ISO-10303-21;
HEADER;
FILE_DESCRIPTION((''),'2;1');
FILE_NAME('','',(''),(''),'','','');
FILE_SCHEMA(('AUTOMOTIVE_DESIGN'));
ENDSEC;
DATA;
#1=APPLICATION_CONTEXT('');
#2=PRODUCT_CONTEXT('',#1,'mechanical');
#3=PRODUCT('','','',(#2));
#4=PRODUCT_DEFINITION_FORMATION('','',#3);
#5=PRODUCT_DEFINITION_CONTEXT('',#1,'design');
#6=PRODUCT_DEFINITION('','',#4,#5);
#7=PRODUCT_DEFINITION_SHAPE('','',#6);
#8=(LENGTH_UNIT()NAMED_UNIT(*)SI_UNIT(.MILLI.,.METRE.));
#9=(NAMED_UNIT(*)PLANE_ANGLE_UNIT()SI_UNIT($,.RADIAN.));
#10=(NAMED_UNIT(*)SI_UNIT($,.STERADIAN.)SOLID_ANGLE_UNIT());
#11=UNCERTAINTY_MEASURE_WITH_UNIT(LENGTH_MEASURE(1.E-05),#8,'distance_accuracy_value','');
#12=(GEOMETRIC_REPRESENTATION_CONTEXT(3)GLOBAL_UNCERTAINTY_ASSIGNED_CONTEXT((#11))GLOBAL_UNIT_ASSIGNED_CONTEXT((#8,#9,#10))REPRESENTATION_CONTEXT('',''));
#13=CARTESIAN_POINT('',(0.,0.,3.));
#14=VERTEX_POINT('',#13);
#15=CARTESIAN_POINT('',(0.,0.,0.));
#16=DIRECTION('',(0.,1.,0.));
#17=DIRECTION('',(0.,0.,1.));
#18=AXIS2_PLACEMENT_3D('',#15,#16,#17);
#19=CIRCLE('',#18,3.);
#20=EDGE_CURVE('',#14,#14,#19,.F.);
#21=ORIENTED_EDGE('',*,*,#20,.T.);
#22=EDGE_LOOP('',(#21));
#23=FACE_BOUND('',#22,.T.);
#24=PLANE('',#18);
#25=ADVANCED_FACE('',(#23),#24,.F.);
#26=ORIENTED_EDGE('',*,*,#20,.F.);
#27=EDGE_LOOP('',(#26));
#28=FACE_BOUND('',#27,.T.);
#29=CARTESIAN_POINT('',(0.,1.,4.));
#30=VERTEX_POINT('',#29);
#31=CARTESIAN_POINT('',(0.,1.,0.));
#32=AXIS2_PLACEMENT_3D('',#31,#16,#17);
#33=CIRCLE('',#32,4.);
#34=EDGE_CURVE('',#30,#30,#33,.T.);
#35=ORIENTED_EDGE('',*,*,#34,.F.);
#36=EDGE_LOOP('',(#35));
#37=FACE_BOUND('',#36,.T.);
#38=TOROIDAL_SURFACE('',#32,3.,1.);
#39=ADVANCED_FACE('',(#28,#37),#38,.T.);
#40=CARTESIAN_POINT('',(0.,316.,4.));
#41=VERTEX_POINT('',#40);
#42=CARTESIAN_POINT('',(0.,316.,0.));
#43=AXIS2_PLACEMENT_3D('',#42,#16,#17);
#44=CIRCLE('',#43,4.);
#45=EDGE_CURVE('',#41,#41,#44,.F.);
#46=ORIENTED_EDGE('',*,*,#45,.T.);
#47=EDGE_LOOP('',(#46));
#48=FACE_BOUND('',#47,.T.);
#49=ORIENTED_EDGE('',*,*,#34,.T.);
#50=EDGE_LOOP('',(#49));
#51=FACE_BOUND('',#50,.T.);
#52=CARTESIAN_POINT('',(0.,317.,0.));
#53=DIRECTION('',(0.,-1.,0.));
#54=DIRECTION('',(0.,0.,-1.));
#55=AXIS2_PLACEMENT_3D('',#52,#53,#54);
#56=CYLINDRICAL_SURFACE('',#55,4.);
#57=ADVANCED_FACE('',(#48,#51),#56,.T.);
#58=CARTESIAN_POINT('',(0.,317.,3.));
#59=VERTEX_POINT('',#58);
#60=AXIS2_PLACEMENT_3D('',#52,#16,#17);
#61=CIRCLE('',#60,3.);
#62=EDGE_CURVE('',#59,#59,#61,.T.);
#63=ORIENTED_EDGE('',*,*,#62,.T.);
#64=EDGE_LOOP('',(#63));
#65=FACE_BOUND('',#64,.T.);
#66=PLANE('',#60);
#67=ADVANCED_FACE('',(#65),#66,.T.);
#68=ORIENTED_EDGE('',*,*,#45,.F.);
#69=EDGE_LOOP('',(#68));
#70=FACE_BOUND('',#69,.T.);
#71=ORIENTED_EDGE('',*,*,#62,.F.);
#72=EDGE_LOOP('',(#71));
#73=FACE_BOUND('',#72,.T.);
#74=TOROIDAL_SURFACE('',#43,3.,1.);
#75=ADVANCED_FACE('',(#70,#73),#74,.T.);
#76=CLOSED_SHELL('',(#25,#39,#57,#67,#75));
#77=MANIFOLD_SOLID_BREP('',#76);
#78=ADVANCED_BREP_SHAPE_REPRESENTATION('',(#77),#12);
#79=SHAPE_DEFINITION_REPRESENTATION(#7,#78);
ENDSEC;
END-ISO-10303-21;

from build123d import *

# Parameters (mm, degrees)
SKETCH1_R           = 4
BOSS_EXTRUDE1_DEPTH = 317
FILLET2_R           = 1


with BuildPart() as part:
    # Sketch1 → Boss-Extrude1 (new body)
    with BuildSketch(Plane(origin=(0, 0, 0), x_dir=(1, 0, 0), z_dir=(0, 1, 0))):
        Circle(SKETCH1_R)
    extrude(amount=BOSS_EXTRUDE1_DEPTH)

    # Fillet2
    fillet2_edges = [part.edges().sort_by_distance(p)[0] for p in [
        (-4, 0, 0),
        (-4, 317, 0),
    ]]
    fillet(fillet2_edges, radius=FILLET2_R)


solid = part.part
